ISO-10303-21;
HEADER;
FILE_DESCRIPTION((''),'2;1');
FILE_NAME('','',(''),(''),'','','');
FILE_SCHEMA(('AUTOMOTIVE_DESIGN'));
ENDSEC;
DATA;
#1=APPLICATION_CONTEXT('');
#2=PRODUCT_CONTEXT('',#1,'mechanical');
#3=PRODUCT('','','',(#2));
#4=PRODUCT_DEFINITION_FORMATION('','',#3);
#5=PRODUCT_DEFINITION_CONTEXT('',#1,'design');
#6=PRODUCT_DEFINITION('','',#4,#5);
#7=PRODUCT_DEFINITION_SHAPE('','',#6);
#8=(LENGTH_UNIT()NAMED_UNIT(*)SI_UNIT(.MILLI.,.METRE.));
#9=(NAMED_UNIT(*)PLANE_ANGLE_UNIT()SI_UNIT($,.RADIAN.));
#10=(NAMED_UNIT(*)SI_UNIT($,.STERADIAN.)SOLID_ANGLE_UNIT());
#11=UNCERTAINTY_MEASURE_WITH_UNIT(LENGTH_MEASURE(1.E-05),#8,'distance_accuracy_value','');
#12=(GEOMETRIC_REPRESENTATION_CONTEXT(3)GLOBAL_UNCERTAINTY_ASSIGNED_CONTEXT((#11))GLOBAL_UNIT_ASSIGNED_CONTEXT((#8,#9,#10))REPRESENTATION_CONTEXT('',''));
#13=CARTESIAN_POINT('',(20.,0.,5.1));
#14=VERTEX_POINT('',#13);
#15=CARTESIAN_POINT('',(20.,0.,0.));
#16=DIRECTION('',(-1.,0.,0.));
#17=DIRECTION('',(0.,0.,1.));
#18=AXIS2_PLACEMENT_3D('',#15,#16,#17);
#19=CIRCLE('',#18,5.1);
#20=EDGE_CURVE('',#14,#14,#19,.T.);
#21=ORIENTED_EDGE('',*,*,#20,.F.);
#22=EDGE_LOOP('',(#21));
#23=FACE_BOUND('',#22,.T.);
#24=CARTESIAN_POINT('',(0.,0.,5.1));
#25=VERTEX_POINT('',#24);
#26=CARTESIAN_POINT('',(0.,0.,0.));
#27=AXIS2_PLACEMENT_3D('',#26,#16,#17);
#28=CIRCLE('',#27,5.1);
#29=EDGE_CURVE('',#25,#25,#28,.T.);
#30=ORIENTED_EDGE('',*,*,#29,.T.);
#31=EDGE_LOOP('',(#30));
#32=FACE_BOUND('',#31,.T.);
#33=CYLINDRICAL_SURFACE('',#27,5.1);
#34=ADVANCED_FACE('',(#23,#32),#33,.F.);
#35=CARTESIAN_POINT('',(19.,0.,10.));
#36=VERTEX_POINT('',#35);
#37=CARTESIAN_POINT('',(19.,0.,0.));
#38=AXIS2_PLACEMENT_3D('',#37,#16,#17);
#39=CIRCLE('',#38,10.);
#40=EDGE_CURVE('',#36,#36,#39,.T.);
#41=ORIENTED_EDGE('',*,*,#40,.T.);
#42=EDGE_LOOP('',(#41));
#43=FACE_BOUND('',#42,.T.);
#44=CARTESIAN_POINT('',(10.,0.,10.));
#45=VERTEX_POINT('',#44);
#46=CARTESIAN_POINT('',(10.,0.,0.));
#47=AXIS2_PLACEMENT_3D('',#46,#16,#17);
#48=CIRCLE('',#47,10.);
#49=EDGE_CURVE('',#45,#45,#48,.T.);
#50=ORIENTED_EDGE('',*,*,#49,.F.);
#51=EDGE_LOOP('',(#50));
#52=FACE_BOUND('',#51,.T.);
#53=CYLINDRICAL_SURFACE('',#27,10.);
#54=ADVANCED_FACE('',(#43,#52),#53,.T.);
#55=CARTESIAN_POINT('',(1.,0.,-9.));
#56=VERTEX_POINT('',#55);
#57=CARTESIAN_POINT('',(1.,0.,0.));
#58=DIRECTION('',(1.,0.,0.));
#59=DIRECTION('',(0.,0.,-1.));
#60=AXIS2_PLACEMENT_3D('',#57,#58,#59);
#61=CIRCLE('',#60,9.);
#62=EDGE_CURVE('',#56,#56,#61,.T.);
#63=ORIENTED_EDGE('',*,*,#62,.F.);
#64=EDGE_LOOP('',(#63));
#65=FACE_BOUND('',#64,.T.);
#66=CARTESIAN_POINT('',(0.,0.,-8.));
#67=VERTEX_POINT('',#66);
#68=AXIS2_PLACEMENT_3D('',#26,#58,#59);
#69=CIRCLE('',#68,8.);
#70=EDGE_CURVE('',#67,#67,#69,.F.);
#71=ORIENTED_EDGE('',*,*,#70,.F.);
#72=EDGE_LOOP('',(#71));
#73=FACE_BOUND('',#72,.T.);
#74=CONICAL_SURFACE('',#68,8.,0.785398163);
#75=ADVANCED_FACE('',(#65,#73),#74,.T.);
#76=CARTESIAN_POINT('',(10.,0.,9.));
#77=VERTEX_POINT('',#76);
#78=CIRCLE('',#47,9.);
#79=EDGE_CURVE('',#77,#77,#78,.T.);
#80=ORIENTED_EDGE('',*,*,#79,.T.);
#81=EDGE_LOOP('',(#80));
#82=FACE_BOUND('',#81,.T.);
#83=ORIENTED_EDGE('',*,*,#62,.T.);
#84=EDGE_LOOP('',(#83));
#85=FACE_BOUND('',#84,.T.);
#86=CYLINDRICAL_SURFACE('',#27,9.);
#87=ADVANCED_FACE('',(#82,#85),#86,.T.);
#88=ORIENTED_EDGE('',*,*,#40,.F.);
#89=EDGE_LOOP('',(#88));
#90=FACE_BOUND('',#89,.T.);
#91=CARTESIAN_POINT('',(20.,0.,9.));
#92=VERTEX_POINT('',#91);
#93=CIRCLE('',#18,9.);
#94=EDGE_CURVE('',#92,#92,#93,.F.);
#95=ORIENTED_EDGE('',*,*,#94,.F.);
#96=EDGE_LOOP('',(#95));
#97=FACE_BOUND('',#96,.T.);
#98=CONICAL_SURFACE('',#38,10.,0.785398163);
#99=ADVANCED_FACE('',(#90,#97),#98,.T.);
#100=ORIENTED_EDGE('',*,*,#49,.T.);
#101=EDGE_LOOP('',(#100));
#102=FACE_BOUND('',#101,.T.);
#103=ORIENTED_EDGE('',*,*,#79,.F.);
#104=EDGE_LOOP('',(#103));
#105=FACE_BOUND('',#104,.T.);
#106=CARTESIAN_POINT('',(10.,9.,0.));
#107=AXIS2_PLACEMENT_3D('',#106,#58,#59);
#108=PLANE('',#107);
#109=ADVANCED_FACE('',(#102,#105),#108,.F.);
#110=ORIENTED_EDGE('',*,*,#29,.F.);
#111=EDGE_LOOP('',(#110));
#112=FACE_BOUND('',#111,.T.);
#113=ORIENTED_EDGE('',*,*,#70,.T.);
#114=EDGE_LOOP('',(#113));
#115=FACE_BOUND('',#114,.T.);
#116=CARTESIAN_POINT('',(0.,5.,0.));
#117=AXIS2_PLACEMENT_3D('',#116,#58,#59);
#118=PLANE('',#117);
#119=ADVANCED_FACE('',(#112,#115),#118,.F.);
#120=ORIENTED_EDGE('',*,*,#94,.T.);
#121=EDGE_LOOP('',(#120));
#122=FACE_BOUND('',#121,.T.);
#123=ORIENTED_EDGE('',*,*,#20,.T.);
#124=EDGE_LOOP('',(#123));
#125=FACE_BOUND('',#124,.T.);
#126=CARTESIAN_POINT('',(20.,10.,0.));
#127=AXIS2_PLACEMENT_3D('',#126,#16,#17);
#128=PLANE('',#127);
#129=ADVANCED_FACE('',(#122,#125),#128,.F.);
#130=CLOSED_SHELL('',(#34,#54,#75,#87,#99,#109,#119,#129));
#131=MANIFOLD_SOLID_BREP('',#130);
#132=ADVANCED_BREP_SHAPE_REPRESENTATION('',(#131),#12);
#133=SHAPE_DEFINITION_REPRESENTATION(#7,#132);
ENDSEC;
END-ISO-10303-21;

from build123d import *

# Parameters (mm, degrees)
HOLE_WIZARD_M121_D = 10.2
CHAMFER_1_SIZE     = 1


with BuildPart() as part:
    # Эскиз1 → Повернуть1 (revolve)
    with BuildSketch(Plane.XY, mode=Mode.PRIVATE) as revolve_1_sk:
        Polygon((0, 5), (0, 9), (10, 9), (10, 10), (20, 10), (20, 5), align=None)
    revolve(revolve_1_sk.sketch.rotate(Axis((0, 0, 0), (1, 0, 0)), 90), axis=Axis((0, 0, 0), (1, 0, 0)))

    # Отверстие обработанное метчиком M121 (through all)
    with Locations(Plane.ZY):
        with Locations((0, 0)):
            Hole(HOLE_WIZARD_M121_D / 2)

    # Фаска1
    chamfer_1_edges = [part.edges().sort_by_distance(p)[0] for p in [
        (20, 0, -10),
        (0, 0, -9),
    ]]
    chamfer(chamfer_1_edges, length=CHAMFER_1_SIZE)


solid = part.part
